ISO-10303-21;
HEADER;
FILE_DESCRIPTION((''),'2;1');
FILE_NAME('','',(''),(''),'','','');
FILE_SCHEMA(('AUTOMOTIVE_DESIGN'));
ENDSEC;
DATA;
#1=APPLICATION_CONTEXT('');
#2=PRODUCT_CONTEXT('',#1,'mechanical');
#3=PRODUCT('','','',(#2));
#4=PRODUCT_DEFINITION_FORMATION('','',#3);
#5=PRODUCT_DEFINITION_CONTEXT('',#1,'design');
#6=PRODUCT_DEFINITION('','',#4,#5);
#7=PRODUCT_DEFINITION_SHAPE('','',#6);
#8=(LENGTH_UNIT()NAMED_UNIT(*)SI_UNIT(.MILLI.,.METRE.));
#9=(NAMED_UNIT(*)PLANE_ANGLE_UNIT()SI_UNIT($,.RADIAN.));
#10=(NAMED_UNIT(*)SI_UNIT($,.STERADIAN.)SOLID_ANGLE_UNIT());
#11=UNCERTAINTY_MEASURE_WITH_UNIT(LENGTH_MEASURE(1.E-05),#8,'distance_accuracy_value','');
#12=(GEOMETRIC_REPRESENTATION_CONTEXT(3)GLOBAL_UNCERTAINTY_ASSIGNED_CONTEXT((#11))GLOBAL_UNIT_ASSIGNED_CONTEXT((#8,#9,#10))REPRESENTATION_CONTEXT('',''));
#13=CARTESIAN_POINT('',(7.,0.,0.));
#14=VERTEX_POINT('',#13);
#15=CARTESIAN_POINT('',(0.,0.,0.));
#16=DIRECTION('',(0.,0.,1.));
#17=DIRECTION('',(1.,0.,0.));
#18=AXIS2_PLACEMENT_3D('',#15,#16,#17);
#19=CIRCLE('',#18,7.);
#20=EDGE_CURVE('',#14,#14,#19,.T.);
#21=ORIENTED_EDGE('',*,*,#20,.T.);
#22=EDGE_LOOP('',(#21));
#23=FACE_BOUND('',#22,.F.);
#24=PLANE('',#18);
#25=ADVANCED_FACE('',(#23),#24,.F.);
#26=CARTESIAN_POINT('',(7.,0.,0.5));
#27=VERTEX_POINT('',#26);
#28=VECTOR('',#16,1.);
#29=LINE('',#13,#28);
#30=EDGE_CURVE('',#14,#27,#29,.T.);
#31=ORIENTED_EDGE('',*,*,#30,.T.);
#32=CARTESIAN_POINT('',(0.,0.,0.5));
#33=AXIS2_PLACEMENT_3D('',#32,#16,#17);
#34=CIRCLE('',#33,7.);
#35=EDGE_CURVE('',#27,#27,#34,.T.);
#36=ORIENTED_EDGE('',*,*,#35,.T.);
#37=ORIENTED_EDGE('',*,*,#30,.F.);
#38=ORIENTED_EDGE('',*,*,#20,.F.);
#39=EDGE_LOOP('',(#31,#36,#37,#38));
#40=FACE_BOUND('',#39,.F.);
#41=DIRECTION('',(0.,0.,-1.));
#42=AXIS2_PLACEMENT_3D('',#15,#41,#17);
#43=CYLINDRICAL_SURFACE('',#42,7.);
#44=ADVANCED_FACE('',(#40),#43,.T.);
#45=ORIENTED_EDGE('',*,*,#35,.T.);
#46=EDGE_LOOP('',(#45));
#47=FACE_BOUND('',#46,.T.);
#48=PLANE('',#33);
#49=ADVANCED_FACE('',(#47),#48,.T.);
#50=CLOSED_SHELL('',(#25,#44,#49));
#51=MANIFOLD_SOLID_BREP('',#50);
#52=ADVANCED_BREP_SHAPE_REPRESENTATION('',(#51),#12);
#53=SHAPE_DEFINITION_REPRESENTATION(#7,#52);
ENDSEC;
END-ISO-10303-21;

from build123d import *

# Parameters (mm, degrees)
SKETCH_R  = 7
PAD_DEPTH = 0.5


with BuildPart() as part:
    # Sketch → Pad (new body)
    with BuildSketch(Plane.XY):
        Circle(SKETCH_R)
    extrude(amount=PAD_DEPTH)


solid = part.part
